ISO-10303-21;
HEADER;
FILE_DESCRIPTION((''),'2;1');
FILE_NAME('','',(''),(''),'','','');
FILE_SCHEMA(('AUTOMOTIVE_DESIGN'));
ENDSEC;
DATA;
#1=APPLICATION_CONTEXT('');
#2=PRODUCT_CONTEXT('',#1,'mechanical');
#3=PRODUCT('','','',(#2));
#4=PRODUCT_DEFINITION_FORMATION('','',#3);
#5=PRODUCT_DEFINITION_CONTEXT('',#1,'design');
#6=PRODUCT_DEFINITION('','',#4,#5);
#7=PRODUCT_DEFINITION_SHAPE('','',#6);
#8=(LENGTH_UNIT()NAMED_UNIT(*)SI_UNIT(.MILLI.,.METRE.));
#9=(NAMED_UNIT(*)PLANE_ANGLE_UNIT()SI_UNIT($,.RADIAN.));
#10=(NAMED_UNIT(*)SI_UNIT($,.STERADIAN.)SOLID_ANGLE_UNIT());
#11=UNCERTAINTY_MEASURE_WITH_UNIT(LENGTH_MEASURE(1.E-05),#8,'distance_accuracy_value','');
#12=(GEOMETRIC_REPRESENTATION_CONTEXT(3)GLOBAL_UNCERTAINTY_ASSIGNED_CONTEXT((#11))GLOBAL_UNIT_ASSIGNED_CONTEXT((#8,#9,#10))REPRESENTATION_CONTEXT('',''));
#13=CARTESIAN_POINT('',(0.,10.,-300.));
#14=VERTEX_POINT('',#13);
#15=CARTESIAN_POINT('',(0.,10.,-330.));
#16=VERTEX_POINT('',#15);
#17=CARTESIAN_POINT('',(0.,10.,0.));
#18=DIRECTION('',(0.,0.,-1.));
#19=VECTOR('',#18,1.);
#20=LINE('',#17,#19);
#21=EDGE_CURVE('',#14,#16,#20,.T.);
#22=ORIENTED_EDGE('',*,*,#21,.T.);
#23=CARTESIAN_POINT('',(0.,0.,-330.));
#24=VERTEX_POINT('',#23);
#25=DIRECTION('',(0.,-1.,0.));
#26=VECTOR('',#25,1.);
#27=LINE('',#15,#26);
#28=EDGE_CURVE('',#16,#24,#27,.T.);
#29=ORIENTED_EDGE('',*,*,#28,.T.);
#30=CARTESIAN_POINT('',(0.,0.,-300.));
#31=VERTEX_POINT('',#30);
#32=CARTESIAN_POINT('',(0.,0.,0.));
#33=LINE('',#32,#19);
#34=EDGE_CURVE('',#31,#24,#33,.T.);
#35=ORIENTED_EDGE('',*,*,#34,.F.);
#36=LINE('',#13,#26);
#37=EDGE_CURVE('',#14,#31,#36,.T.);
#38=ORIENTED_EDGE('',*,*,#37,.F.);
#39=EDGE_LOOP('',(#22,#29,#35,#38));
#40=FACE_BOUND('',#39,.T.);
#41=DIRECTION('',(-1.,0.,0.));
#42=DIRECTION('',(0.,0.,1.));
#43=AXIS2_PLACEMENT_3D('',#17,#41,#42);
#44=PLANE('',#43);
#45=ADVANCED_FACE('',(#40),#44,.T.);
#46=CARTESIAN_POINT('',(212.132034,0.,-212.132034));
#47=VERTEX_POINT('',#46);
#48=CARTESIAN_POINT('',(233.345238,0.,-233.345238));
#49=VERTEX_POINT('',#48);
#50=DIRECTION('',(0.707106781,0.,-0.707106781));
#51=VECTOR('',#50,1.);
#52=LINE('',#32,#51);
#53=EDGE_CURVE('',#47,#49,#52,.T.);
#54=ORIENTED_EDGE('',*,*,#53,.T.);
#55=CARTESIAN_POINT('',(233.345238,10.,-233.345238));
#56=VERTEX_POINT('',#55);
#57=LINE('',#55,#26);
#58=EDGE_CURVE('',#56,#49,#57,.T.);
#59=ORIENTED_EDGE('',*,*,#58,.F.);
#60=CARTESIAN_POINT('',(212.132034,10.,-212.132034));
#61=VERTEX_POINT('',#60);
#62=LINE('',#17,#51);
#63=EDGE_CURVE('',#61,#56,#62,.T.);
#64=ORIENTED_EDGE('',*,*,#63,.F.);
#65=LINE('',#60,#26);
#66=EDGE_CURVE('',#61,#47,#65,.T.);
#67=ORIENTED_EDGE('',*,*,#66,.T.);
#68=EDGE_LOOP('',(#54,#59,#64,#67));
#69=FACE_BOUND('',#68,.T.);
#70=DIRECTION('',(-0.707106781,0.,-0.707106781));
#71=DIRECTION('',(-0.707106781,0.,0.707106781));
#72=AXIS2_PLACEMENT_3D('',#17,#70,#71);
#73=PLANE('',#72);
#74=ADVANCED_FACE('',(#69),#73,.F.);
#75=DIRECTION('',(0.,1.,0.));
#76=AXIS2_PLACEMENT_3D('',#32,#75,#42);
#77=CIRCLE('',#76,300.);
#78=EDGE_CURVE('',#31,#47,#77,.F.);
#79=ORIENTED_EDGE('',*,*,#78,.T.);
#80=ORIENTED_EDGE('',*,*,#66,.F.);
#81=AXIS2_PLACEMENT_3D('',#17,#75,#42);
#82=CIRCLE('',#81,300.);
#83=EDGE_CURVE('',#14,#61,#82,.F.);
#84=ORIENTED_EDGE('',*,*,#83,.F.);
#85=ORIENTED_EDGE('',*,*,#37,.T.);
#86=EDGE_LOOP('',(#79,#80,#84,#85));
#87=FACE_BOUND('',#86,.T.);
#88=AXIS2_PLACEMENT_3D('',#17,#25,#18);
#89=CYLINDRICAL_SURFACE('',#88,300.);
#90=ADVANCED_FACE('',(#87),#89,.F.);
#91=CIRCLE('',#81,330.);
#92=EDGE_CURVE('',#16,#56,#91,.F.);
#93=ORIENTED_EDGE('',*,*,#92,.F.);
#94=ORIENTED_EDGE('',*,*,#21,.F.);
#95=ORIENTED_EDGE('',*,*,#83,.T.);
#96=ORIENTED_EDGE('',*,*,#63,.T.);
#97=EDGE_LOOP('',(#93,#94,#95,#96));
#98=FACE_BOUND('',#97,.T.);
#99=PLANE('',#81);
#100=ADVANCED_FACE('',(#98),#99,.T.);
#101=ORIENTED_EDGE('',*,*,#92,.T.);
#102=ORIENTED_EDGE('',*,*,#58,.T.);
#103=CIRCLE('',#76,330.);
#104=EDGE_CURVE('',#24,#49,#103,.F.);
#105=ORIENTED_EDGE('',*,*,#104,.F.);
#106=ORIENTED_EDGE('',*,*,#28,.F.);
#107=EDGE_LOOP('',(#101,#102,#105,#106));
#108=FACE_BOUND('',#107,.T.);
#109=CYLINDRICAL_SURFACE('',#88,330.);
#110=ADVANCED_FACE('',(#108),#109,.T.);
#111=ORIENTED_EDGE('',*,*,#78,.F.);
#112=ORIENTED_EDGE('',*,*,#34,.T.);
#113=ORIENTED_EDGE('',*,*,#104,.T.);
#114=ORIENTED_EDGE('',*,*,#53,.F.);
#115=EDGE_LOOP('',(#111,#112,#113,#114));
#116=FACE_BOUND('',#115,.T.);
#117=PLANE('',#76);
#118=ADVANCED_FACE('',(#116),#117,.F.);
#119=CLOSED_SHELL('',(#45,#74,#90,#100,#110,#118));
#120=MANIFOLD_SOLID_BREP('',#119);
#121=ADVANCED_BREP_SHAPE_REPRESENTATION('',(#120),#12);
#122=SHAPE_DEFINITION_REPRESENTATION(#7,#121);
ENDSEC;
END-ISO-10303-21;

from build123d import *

# Parameters (mm, degrees)
BOSS_EXTRUDE1_DEPTH = 10


with BuildPart() as part:
    # Sketch1 → Boss-Extrude1 (new body)
    with BuildSketch(Plane(origin=(0, 0, 0), x_dir=(1, 0, 0), z_dir=(0, 1, 0))):
        with BuildLine():
            ThreePointArc((0, 330), (126.28553268, 304.880245729), (233.345237792, 233.345237792))
            Line((233.345237792, 233.345237792), (212.132034356, 212.132034356))
            ThreePointArc((212.132034356, 212.132034356), (114.80502971, 277.163859753), (0, 300))
            Line((0, 300), (0, 330))
        make_face()
    extrude(amount=BOSS_EXTRUDE1_DEPTH)


solid = part.part
